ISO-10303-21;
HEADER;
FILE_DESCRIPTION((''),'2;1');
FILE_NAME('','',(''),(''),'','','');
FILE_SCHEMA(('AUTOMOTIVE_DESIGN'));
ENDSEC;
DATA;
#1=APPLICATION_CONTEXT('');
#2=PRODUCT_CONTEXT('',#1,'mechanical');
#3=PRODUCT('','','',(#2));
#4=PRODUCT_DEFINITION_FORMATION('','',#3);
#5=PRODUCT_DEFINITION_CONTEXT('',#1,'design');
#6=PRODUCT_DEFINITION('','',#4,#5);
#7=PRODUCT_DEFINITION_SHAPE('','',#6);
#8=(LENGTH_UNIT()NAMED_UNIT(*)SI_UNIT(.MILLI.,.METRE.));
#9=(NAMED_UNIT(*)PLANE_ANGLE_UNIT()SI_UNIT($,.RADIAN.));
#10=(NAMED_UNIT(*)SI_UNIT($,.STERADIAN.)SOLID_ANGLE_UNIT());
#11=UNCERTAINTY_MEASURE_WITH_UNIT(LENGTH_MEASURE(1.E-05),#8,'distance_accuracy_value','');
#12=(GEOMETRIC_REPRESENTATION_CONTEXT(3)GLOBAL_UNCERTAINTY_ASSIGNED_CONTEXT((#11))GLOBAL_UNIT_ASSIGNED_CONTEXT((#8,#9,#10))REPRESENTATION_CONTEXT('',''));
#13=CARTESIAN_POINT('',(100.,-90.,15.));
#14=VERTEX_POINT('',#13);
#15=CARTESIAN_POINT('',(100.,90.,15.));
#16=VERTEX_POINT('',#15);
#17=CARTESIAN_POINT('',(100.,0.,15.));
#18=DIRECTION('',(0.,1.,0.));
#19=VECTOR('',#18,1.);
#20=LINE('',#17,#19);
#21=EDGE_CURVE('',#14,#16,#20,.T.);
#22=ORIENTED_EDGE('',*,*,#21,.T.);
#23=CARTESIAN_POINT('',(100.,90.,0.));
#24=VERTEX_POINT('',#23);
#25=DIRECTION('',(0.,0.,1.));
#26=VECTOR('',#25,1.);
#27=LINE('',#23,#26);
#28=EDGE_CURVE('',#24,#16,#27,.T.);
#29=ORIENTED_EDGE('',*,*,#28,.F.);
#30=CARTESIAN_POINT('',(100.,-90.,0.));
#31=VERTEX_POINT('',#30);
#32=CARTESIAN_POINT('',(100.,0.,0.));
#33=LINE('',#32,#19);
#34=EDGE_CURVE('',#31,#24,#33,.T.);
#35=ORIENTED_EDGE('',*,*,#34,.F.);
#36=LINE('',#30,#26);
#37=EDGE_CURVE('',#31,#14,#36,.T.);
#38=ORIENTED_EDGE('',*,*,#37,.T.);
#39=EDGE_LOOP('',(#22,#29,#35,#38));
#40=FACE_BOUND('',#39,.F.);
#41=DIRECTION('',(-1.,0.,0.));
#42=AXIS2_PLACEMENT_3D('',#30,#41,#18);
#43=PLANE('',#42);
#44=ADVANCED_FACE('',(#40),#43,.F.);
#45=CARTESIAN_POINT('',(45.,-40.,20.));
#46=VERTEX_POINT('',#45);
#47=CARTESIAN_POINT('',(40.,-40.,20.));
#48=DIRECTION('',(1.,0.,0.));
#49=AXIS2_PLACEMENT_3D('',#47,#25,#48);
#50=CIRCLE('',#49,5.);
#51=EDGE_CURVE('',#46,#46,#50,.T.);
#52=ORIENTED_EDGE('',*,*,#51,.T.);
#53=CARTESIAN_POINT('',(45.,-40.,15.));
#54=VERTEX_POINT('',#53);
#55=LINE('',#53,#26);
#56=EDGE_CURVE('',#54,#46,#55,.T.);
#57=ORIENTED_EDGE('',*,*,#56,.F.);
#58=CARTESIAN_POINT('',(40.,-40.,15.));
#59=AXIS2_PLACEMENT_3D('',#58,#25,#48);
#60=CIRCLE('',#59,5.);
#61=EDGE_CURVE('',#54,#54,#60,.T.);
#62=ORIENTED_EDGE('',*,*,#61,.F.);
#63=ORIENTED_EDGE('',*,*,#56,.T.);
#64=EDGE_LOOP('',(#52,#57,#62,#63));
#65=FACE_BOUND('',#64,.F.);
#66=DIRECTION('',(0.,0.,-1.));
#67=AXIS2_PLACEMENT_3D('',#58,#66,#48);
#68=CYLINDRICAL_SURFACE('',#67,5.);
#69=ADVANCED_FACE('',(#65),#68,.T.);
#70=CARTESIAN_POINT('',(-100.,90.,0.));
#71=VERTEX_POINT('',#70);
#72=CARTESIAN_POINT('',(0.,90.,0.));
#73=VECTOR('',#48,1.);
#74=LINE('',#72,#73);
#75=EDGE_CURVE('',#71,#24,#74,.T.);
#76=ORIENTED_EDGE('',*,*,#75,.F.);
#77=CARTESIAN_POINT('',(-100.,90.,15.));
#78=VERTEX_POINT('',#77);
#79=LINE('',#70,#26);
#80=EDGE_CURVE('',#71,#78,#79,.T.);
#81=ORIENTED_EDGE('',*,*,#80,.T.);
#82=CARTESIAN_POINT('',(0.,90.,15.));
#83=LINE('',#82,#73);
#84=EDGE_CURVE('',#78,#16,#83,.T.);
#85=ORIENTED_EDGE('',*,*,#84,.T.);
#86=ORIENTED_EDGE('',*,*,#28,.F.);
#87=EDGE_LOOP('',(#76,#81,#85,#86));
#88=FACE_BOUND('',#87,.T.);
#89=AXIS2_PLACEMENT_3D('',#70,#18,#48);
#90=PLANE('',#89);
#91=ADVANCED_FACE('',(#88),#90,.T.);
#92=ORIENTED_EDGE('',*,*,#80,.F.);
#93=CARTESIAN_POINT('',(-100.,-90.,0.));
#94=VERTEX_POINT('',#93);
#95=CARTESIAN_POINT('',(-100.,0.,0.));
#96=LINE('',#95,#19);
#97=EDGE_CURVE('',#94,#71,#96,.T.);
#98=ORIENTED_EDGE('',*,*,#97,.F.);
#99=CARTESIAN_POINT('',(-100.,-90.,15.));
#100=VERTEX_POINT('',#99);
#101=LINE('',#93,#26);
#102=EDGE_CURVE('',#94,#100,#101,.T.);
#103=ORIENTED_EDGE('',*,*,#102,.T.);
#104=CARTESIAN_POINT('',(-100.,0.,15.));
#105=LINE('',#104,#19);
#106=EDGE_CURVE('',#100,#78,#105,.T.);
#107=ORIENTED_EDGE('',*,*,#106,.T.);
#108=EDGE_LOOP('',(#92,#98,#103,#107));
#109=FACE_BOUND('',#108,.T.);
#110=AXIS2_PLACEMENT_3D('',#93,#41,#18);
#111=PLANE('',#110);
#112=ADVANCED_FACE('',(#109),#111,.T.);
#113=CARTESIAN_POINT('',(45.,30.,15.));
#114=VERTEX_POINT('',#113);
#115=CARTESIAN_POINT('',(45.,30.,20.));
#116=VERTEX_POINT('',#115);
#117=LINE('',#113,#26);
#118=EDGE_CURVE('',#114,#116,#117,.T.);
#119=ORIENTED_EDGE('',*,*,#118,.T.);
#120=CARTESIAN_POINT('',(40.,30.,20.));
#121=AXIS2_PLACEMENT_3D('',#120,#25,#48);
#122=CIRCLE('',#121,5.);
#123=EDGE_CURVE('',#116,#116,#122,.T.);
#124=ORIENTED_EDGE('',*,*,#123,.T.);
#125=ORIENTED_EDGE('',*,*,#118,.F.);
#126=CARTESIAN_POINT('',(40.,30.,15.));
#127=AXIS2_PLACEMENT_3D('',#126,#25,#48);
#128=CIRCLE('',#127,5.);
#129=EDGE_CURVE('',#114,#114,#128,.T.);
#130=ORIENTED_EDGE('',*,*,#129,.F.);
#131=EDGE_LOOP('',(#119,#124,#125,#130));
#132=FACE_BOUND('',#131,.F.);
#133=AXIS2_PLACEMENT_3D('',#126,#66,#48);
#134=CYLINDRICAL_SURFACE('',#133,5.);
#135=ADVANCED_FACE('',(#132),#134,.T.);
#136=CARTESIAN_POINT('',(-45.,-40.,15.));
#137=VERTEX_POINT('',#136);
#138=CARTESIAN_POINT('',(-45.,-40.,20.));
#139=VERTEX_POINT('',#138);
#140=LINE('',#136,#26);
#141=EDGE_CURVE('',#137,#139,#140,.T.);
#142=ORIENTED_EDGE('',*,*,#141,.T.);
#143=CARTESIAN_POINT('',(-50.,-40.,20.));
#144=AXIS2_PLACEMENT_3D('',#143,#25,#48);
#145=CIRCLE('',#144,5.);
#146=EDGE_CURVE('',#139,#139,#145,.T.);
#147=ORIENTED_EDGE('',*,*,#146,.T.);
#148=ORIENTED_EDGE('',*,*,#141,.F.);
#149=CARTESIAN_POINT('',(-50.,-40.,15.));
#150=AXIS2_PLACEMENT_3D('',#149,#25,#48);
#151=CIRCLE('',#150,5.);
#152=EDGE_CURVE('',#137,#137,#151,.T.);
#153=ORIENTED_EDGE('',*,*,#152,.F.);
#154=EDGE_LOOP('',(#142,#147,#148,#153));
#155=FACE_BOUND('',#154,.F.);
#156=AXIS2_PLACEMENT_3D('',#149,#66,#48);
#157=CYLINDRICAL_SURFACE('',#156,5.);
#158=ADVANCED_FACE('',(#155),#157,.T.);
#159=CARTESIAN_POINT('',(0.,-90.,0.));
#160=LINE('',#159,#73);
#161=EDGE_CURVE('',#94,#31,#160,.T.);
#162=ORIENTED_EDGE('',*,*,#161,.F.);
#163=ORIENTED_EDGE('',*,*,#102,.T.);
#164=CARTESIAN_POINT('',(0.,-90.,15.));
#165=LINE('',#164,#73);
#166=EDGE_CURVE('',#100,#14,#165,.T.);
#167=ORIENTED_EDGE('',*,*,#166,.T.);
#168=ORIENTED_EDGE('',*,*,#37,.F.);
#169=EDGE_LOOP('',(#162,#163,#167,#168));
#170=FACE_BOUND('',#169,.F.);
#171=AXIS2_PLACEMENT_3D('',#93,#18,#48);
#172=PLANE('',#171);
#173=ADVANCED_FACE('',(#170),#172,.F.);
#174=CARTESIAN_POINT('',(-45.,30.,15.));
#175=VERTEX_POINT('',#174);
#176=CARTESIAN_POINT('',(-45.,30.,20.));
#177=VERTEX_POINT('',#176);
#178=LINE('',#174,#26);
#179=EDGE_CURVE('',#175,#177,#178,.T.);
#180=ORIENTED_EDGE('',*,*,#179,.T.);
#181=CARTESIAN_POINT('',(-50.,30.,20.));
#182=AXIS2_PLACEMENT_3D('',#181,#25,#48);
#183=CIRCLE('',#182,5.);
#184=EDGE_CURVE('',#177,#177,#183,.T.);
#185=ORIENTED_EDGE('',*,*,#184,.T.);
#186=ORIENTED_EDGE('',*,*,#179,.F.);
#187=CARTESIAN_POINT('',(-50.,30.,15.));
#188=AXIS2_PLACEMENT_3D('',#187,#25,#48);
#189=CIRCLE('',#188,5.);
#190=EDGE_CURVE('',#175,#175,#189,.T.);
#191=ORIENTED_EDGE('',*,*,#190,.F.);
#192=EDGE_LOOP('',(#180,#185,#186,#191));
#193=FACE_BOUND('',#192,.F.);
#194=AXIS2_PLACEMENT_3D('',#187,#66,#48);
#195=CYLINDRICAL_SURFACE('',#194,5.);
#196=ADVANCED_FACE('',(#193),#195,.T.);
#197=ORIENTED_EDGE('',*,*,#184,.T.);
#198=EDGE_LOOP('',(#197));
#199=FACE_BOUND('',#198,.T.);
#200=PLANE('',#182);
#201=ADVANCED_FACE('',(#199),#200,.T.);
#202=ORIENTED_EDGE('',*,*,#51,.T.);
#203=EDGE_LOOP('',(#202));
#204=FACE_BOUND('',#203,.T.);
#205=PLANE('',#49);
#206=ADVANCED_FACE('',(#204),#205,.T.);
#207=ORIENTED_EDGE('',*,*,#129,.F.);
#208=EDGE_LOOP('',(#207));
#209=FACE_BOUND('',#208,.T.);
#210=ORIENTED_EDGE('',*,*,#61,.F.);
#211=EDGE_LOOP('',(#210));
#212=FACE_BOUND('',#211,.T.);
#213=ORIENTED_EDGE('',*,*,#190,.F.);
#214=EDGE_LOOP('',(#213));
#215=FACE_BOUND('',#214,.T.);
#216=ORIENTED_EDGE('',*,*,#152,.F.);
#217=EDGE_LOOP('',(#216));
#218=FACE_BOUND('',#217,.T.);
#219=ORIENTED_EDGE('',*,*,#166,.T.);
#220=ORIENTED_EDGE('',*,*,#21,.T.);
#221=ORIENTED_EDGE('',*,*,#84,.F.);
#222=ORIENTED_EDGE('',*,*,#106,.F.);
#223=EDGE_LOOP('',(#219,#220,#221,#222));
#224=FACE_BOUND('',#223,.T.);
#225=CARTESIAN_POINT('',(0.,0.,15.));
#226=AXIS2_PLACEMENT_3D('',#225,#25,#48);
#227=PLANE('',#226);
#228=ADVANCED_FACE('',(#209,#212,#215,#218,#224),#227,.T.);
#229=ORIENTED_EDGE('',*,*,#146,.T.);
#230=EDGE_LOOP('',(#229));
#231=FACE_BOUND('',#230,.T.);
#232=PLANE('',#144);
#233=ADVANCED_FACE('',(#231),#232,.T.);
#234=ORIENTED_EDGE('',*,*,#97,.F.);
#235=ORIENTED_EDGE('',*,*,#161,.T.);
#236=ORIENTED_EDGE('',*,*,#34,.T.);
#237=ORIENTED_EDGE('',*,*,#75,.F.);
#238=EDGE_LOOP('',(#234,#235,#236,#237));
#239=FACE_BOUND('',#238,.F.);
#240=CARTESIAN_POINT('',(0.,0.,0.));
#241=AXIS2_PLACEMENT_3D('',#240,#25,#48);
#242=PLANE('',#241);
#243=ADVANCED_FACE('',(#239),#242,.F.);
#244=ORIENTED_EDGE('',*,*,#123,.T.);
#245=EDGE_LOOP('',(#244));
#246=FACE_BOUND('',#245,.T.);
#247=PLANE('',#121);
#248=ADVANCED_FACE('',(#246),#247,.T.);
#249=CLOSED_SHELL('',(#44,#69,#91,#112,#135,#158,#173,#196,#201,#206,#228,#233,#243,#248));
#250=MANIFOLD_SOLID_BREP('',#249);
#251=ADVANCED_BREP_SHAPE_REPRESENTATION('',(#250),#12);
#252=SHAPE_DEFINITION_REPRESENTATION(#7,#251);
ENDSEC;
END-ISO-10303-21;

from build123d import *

# Parameters (mm, degrees)
F0_W     = 200
F0_H     = 180
F1_DEPTH = 15
F2_R     = 5
F3_DEPTH = 5


with BuildPart() as f1:
    # F0 (on Top) → F1 (new body)
    with BuildSketch(Plane.XY):
        Rectangle(F0_W, F0_H)
    extrude(amount=F1_DEPTH)

    # F2 (on face) → F3 (join)
    with BuildSketch(Plane.XY.offset(15)):
        with Locations((-50, -40)):
            Circle(F2_R)
        with Locations((40, -40)):
            Circle(F2_R)
        with Locations((-50, 30)):
            Circle(F2_R)
        with Locations((40, 30)):
            Circle(F2_R)
    extrude(amount=F3_DEPTH)


solid = f1.part
